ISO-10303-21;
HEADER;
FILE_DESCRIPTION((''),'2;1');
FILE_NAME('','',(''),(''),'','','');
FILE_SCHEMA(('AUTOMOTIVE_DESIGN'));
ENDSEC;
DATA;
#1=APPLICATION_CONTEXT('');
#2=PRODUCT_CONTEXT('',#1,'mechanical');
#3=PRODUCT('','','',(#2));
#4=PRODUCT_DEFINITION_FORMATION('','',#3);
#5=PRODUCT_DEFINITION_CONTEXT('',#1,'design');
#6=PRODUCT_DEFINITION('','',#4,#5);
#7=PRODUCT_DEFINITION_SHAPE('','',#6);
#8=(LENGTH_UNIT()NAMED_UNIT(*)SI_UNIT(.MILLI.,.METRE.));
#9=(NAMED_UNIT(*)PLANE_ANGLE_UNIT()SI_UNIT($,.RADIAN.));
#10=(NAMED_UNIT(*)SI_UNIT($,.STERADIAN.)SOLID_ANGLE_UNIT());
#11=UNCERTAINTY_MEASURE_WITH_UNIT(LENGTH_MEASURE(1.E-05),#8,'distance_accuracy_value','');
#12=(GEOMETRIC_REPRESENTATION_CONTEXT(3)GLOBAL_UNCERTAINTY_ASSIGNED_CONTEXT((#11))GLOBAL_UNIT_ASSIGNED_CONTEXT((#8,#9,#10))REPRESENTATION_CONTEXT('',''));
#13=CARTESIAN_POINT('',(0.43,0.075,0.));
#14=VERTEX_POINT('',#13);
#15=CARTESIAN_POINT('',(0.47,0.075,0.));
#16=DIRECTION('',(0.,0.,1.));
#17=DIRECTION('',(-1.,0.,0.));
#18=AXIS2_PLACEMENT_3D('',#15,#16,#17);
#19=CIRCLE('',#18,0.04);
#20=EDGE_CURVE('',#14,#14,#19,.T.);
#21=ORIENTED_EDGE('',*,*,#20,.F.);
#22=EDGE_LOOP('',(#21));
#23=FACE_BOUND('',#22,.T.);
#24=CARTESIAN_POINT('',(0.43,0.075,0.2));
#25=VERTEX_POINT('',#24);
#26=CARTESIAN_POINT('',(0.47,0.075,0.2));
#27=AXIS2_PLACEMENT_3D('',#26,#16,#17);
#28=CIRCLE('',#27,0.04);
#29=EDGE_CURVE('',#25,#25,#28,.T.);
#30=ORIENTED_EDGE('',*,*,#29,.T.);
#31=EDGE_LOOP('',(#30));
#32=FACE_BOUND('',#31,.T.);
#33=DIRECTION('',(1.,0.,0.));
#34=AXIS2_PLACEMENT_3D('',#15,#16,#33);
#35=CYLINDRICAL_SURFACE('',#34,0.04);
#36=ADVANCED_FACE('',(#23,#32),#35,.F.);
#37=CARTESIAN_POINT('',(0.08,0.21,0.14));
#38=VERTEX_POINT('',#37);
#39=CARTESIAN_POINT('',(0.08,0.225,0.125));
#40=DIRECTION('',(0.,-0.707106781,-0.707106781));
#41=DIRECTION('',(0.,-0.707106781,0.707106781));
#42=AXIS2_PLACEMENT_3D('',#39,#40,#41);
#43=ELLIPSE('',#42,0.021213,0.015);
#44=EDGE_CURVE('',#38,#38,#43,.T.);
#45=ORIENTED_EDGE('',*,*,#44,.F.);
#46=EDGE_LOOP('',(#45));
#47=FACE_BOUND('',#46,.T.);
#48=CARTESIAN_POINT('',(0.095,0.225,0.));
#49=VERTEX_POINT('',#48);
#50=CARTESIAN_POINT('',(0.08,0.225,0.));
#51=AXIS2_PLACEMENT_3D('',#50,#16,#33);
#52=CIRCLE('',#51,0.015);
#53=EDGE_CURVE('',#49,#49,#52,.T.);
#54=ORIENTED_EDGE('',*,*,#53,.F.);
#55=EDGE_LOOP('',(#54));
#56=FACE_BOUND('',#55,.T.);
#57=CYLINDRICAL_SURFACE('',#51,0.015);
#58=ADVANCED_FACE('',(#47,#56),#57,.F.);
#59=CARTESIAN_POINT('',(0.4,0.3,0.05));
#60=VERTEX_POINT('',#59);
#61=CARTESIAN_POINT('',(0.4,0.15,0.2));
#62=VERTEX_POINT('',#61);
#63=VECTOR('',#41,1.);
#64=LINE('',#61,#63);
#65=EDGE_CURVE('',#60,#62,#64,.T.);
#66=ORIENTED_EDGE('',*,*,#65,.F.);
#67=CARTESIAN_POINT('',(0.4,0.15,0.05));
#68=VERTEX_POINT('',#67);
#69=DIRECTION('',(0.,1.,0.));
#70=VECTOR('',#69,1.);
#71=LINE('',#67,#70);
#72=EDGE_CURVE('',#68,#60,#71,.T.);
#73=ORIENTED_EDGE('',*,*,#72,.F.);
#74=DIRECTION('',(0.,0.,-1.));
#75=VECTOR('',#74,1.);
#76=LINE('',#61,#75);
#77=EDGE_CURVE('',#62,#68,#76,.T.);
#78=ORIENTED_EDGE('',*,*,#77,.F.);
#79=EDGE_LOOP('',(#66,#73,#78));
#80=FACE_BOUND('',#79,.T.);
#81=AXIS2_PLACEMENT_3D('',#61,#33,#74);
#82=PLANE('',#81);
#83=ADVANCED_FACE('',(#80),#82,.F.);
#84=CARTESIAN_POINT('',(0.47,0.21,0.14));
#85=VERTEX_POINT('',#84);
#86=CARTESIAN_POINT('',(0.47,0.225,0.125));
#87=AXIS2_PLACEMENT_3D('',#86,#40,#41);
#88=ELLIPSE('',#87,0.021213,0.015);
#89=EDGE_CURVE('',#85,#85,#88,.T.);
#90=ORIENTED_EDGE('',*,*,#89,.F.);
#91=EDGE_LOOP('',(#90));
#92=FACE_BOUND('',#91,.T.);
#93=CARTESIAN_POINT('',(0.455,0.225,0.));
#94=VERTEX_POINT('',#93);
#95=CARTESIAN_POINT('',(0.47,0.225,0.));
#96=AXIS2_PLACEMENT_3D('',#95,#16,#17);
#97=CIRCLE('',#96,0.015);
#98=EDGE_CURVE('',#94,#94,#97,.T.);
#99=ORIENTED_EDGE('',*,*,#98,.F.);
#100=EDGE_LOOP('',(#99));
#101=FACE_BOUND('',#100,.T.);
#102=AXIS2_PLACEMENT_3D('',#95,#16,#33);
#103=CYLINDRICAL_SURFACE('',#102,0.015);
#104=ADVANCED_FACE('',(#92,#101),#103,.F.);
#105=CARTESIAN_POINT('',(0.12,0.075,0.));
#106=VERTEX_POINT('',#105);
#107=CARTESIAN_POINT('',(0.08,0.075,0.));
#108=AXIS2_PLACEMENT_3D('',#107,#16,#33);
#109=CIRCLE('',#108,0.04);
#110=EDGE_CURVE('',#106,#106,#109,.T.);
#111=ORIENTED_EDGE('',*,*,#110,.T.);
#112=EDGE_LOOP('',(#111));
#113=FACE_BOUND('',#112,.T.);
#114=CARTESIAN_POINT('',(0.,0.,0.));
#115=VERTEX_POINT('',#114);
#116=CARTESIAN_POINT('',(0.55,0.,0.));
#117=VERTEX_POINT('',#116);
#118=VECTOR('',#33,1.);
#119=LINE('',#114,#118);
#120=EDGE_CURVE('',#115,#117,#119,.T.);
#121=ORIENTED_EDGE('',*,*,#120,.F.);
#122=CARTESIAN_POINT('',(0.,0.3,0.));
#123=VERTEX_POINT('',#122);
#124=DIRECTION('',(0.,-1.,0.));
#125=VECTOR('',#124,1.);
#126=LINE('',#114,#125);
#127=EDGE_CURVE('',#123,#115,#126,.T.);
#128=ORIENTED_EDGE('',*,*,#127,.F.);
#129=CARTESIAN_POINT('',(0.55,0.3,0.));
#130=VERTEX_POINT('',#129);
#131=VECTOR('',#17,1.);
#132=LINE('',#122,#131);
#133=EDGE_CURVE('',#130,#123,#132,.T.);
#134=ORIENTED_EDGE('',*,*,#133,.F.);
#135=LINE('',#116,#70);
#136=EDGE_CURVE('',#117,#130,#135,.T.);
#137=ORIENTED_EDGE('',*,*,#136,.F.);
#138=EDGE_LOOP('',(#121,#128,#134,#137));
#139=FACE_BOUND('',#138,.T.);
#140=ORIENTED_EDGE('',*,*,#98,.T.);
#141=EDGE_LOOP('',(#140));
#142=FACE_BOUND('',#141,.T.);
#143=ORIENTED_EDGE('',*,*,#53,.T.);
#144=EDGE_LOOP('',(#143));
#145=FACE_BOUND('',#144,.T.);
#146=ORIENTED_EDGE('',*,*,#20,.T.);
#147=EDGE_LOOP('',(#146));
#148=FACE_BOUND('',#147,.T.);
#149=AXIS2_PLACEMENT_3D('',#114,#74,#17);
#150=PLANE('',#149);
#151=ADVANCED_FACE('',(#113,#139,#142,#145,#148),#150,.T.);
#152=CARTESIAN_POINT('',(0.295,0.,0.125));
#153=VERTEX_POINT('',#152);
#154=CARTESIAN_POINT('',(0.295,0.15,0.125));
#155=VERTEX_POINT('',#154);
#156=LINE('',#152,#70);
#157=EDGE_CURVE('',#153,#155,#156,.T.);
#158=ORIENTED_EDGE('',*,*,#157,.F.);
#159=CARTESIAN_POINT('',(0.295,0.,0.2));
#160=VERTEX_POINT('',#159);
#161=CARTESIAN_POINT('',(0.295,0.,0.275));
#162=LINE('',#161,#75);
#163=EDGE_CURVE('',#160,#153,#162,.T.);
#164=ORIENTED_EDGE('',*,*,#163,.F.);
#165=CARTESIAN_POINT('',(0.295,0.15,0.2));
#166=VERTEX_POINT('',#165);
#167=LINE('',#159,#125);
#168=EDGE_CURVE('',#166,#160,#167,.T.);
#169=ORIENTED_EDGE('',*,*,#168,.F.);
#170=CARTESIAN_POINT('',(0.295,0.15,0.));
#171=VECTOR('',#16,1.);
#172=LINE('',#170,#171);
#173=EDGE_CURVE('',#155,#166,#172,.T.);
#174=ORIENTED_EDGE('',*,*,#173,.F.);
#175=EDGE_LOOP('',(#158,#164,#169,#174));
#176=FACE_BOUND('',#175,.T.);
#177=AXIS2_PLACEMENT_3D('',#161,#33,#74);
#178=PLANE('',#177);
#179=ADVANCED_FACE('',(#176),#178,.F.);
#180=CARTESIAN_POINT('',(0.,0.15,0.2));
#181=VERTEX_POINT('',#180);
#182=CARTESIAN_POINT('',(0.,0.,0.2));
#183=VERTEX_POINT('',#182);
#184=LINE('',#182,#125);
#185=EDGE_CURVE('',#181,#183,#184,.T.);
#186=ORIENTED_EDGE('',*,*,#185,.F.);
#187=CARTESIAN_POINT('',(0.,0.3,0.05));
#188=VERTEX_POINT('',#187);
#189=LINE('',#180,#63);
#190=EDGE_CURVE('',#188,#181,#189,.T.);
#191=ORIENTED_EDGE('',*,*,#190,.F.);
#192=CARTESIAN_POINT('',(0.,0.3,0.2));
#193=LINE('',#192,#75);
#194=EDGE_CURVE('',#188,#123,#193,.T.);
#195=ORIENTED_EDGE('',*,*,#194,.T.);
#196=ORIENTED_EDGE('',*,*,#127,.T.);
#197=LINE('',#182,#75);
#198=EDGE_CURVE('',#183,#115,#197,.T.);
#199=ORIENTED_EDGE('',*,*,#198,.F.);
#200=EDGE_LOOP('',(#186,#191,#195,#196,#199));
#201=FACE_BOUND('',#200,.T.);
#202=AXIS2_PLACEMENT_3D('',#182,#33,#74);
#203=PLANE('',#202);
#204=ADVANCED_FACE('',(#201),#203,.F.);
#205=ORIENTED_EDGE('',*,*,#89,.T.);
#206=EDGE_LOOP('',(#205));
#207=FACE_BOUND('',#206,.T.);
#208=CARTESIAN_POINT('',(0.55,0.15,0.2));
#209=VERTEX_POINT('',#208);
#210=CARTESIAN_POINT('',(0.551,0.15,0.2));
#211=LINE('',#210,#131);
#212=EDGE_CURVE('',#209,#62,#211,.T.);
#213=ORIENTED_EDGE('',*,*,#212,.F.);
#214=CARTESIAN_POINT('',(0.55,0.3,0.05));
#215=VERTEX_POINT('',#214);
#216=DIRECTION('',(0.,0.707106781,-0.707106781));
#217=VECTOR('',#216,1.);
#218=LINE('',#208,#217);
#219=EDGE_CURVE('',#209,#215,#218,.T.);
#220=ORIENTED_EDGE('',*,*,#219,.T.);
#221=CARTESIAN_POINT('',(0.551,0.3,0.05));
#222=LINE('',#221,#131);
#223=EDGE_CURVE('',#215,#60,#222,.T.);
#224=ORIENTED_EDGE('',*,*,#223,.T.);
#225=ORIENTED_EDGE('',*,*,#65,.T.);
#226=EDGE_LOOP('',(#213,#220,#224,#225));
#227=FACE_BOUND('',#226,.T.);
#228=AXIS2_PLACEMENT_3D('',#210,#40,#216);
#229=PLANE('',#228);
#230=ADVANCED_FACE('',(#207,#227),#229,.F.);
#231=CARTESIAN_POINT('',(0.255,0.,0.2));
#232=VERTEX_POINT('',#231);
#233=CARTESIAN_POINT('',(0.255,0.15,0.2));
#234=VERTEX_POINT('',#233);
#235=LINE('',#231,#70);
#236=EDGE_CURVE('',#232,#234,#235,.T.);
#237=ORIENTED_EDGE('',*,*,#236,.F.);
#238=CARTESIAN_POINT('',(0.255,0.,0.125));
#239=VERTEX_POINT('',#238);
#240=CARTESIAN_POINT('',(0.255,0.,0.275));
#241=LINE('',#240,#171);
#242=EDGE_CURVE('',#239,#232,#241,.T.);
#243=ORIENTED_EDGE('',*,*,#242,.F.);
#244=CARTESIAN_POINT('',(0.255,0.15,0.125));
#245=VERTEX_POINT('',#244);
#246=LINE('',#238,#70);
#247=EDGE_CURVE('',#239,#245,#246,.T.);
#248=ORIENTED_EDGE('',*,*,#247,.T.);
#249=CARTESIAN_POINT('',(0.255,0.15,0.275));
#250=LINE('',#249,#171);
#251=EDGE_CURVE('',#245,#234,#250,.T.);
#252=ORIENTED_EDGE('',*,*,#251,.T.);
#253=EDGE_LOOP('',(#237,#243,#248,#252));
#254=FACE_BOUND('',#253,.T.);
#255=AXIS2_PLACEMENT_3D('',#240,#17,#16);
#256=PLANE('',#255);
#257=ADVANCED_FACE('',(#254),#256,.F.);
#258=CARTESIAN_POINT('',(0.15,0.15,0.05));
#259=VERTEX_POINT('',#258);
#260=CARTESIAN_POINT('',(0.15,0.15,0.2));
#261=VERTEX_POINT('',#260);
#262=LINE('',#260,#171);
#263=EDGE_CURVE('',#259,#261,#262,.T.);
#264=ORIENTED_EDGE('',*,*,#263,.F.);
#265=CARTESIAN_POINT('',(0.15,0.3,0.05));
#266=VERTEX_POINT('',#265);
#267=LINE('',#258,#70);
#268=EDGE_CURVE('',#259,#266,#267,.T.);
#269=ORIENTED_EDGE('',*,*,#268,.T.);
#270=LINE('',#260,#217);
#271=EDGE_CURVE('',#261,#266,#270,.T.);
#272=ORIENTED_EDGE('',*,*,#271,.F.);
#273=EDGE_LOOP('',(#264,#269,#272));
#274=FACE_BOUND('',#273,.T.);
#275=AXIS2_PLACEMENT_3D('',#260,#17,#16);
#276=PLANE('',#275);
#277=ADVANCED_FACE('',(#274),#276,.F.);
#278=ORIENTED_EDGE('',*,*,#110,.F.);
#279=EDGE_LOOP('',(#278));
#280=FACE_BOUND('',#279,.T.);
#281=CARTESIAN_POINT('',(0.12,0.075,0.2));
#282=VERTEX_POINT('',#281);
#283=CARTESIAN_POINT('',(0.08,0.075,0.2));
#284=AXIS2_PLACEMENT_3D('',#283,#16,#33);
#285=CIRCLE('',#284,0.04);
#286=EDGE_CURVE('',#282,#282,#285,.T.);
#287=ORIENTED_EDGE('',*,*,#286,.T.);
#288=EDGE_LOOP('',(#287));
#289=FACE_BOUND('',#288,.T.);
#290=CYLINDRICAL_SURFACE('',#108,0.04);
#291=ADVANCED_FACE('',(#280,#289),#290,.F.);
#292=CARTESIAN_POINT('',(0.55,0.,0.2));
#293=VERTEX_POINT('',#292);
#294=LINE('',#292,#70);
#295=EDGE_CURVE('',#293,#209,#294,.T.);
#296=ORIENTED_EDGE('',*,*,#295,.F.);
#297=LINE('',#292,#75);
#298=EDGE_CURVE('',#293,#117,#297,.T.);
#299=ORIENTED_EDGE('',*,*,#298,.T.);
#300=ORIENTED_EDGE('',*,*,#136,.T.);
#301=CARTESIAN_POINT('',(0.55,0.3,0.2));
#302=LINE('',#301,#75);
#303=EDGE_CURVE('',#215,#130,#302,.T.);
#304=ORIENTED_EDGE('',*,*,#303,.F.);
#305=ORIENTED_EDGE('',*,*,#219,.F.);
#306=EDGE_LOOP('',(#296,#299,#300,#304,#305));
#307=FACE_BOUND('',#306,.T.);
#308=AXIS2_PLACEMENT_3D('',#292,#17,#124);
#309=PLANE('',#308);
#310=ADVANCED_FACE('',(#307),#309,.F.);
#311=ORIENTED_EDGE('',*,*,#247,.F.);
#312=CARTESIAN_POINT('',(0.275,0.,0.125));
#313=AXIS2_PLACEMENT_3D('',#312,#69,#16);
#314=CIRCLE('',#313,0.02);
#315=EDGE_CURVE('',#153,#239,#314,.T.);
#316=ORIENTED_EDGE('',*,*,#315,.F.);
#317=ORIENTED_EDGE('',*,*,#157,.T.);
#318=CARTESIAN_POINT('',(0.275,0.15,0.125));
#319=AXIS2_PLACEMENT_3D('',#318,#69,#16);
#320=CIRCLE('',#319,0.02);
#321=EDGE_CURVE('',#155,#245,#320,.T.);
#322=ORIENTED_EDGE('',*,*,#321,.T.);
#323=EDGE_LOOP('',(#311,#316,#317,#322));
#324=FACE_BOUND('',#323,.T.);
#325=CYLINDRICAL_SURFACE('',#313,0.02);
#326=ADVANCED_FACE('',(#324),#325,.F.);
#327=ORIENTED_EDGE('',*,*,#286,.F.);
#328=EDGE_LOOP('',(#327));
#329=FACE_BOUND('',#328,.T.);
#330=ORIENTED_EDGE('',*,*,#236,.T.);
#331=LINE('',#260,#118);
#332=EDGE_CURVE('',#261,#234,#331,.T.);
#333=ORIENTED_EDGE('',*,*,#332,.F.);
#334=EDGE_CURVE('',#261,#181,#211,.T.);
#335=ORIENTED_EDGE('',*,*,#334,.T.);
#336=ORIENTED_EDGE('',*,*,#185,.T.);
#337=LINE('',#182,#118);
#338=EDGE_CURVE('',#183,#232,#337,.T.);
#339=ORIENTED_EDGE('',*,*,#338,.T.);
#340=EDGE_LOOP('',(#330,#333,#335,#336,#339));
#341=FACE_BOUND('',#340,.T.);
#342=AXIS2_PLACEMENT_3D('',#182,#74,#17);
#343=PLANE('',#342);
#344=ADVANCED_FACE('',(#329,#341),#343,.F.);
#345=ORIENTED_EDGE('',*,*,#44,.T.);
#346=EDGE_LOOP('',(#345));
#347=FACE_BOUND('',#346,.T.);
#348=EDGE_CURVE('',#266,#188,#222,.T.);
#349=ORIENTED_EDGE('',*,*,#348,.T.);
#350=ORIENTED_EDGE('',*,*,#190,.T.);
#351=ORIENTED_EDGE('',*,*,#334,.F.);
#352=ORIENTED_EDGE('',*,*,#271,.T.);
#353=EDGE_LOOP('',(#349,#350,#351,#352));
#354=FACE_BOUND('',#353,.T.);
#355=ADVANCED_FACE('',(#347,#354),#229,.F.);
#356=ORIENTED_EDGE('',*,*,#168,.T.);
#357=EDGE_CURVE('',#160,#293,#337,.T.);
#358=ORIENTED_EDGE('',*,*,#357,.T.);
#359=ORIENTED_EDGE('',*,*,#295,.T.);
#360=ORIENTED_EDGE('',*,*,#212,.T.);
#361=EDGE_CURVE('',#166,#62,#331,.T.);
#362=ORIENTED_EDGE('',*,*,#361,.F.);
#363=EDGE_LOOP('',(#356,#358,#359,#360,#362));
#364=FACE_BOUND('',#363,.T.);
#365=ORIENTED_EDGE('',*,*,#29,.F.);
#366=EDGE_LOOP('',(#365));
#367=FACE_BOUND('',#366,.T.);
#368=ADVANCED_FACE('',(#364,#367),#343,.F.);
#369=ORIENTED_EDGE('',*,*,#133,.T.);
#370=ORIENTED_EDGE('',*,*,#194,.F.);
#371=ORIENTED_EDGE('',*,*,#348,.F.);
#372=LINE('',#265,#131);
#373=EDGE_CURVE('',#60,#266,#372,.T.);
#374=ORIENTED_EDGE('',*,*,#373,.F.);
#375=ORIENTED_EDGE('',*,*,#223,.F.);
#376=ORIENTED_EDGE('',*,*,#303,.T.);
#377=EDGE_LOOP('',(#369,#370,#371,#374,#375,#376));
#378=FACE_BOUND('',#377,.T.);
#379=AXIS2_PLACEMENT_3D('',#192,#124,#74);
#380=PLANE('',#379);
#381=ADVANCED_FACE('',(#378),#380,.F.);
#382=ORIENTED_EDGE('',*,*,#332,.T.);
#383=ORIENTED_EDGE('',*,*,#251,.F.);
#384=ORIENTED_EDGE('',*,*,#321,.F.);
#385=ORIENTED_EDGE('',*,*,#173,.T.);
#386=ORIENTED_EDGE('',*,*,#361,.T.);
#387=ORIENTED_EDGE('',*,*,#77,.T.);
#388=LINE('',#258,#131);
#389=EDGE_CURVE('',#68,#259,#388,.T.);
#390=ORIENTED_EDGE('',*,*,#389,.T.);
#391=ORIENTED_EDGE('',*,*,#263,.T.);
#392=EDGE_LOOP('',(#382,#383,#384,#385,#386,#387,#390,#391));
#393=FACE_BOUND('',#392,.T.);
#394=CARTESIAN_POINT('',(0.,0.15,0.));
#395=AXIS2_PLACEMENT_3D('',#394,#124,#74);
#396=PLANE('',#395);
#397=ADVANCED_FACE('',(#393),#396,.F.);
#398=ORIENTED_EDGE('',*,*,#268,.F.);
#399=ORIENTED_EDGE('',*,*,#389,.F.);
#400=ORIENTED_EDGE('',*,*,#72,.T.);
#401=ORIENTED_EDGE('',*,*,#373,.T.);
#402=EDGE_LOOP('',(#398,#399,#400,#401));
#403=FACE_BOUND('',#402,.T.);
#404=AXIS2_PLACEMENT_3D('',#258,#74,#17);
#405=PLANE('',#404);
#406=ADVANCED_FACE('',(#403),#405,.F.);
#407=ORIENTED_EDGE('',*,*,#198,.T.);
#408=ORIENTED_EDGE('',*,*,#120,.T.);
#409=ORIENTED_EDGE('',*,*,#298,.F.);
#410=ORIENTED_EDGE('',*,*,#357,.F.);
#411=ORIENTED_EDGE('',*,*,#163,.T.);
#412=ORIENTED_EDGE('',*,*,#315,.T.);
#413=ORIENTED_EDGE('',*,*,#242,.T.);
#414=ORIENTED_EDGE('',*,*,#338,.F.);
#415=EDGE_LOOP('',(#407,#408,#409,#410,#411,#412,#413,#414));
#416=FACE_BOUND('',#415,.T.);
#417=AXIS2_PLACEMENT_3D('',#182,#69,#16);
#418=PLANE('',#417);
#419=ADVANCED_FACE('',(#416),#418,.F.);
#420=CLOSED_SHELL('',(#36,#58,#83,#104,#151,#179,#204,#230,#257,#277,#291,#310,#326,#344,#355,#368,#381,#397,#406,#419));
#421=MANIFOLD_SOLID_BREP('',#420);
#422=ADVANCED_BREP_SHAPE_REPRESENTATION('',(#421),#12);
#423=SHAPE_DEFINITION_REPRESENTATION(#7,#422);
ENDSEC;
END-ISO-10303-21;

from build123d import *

# Parameters (mm, degrees)
SKETCH_1_W          = 0.55
SKETCH_1_H          = 0.3
EXTRUDE_1_DEPTH     = 0.2
CUT_EXTRUDE_1_REACH = 2.658
SKETCH_3_W          = 0.25
SKETCH_3_H          = 0.15
CUT_EXTRUDE_2_DEPTH = 0.15
CUT_EXTRUDE_3_DEPTH = 1.604152299
SKETCH_5_R          = 0.04
SKETCH_5_R_2        = 0.015
CUT_EXTRUDE_4_DEPTH = 1.657647322


with BuildPart() as part:
    # 草图1 → 凸台-拉伸1 (new body)
    with BuildSketch(Plane.XY):
        with Locations((0.275, 0.15)):
            Rectangle(SKETCH_1_W, SKETCH_1_H)
    extrude(amount=EXTRUDE_1_DEPTH)

    # 草图2 → 切除-拉伸1 (cut, up to next)
    with BuildSketch(Plane.ZY, mode=Mode.PRIVATE) as cut_extrude_1_sk1:
        Polygon((0.2, 0.3), (0.2, 0.15), (0.05, 0.3), align=None)
    cut_extrude_1_tool1 = extrude(cut_extrude_1_sk1.sketch, amount=-CUT_EXTRUDE_1_REACH, mode=Mode.PRIVATE) & part.part
    add(cut_extrude_1_tool1.solids().sort_by_distance((0, 0.25, 0.15))[0], mode=Mode.SUBTRACT)

    # 草图3 → 切除-拉伸2 (cut)
    with BuildSketch(Plane(origin=(0, 0.3, 0), x_dir=(1, 0, 0), z_dir=(0, 1, 0))):
        with Locations((0.275, -0.125)):
            Rectangle(SKETCH_3_W, SKETCH_3_H)
    extrude(amount=-CUT_EXTRUDE_2_DEPTH, mode=Mode.SUBTRACT)

    # 草图4 → 切除-拉伸3 (cut, through all)
    with BuildSketch(Plane(origin=(0, 0.15, 0), x_dir=(1, 0, 0), z_dir=(0, 1, 0))):
        with BuildLine():
            Line((0.255, -0.275), (0.255, -0.125))
            ThreePointArc((0.255, -0.125), (0.275, -0.105), (0.295, -0.125))
            Line((0.295, -0.125), (0.295, -0.275))
            ThreePointArc((0.295, -0.275), (0.275, -0.295), (0.255, -0.275))
        make_face()
    extrude(amount=-CUT_EXTRUDE_3_DEPTH, mode=Mode.SUBTRACT)

    # 草图5 → 切除-拉伸4 (cut, through all)
    with BuildSketch(Plane.XY.offset(0.2)):
        with Locations((0.08, 0.075)):
            Circle(SKETCH_5_R)
        with Locations((0.08, 0.225)):
            Circle(SKETCH_5_R_2)
        with Locations(Location((0.47, 0.075, 0), (0, 0, 180))):
            Circle(SKETCH_5_R)
        with Locations(Location((0.47, 0.225, 0), (0, 0, 270))):
            Circle(SKETCH_5_R_2)
    extrude(amount=-CUT_EXTRUDE_4_DEPTH, mode=Mode.SUBTRACT)


solid = part.part
